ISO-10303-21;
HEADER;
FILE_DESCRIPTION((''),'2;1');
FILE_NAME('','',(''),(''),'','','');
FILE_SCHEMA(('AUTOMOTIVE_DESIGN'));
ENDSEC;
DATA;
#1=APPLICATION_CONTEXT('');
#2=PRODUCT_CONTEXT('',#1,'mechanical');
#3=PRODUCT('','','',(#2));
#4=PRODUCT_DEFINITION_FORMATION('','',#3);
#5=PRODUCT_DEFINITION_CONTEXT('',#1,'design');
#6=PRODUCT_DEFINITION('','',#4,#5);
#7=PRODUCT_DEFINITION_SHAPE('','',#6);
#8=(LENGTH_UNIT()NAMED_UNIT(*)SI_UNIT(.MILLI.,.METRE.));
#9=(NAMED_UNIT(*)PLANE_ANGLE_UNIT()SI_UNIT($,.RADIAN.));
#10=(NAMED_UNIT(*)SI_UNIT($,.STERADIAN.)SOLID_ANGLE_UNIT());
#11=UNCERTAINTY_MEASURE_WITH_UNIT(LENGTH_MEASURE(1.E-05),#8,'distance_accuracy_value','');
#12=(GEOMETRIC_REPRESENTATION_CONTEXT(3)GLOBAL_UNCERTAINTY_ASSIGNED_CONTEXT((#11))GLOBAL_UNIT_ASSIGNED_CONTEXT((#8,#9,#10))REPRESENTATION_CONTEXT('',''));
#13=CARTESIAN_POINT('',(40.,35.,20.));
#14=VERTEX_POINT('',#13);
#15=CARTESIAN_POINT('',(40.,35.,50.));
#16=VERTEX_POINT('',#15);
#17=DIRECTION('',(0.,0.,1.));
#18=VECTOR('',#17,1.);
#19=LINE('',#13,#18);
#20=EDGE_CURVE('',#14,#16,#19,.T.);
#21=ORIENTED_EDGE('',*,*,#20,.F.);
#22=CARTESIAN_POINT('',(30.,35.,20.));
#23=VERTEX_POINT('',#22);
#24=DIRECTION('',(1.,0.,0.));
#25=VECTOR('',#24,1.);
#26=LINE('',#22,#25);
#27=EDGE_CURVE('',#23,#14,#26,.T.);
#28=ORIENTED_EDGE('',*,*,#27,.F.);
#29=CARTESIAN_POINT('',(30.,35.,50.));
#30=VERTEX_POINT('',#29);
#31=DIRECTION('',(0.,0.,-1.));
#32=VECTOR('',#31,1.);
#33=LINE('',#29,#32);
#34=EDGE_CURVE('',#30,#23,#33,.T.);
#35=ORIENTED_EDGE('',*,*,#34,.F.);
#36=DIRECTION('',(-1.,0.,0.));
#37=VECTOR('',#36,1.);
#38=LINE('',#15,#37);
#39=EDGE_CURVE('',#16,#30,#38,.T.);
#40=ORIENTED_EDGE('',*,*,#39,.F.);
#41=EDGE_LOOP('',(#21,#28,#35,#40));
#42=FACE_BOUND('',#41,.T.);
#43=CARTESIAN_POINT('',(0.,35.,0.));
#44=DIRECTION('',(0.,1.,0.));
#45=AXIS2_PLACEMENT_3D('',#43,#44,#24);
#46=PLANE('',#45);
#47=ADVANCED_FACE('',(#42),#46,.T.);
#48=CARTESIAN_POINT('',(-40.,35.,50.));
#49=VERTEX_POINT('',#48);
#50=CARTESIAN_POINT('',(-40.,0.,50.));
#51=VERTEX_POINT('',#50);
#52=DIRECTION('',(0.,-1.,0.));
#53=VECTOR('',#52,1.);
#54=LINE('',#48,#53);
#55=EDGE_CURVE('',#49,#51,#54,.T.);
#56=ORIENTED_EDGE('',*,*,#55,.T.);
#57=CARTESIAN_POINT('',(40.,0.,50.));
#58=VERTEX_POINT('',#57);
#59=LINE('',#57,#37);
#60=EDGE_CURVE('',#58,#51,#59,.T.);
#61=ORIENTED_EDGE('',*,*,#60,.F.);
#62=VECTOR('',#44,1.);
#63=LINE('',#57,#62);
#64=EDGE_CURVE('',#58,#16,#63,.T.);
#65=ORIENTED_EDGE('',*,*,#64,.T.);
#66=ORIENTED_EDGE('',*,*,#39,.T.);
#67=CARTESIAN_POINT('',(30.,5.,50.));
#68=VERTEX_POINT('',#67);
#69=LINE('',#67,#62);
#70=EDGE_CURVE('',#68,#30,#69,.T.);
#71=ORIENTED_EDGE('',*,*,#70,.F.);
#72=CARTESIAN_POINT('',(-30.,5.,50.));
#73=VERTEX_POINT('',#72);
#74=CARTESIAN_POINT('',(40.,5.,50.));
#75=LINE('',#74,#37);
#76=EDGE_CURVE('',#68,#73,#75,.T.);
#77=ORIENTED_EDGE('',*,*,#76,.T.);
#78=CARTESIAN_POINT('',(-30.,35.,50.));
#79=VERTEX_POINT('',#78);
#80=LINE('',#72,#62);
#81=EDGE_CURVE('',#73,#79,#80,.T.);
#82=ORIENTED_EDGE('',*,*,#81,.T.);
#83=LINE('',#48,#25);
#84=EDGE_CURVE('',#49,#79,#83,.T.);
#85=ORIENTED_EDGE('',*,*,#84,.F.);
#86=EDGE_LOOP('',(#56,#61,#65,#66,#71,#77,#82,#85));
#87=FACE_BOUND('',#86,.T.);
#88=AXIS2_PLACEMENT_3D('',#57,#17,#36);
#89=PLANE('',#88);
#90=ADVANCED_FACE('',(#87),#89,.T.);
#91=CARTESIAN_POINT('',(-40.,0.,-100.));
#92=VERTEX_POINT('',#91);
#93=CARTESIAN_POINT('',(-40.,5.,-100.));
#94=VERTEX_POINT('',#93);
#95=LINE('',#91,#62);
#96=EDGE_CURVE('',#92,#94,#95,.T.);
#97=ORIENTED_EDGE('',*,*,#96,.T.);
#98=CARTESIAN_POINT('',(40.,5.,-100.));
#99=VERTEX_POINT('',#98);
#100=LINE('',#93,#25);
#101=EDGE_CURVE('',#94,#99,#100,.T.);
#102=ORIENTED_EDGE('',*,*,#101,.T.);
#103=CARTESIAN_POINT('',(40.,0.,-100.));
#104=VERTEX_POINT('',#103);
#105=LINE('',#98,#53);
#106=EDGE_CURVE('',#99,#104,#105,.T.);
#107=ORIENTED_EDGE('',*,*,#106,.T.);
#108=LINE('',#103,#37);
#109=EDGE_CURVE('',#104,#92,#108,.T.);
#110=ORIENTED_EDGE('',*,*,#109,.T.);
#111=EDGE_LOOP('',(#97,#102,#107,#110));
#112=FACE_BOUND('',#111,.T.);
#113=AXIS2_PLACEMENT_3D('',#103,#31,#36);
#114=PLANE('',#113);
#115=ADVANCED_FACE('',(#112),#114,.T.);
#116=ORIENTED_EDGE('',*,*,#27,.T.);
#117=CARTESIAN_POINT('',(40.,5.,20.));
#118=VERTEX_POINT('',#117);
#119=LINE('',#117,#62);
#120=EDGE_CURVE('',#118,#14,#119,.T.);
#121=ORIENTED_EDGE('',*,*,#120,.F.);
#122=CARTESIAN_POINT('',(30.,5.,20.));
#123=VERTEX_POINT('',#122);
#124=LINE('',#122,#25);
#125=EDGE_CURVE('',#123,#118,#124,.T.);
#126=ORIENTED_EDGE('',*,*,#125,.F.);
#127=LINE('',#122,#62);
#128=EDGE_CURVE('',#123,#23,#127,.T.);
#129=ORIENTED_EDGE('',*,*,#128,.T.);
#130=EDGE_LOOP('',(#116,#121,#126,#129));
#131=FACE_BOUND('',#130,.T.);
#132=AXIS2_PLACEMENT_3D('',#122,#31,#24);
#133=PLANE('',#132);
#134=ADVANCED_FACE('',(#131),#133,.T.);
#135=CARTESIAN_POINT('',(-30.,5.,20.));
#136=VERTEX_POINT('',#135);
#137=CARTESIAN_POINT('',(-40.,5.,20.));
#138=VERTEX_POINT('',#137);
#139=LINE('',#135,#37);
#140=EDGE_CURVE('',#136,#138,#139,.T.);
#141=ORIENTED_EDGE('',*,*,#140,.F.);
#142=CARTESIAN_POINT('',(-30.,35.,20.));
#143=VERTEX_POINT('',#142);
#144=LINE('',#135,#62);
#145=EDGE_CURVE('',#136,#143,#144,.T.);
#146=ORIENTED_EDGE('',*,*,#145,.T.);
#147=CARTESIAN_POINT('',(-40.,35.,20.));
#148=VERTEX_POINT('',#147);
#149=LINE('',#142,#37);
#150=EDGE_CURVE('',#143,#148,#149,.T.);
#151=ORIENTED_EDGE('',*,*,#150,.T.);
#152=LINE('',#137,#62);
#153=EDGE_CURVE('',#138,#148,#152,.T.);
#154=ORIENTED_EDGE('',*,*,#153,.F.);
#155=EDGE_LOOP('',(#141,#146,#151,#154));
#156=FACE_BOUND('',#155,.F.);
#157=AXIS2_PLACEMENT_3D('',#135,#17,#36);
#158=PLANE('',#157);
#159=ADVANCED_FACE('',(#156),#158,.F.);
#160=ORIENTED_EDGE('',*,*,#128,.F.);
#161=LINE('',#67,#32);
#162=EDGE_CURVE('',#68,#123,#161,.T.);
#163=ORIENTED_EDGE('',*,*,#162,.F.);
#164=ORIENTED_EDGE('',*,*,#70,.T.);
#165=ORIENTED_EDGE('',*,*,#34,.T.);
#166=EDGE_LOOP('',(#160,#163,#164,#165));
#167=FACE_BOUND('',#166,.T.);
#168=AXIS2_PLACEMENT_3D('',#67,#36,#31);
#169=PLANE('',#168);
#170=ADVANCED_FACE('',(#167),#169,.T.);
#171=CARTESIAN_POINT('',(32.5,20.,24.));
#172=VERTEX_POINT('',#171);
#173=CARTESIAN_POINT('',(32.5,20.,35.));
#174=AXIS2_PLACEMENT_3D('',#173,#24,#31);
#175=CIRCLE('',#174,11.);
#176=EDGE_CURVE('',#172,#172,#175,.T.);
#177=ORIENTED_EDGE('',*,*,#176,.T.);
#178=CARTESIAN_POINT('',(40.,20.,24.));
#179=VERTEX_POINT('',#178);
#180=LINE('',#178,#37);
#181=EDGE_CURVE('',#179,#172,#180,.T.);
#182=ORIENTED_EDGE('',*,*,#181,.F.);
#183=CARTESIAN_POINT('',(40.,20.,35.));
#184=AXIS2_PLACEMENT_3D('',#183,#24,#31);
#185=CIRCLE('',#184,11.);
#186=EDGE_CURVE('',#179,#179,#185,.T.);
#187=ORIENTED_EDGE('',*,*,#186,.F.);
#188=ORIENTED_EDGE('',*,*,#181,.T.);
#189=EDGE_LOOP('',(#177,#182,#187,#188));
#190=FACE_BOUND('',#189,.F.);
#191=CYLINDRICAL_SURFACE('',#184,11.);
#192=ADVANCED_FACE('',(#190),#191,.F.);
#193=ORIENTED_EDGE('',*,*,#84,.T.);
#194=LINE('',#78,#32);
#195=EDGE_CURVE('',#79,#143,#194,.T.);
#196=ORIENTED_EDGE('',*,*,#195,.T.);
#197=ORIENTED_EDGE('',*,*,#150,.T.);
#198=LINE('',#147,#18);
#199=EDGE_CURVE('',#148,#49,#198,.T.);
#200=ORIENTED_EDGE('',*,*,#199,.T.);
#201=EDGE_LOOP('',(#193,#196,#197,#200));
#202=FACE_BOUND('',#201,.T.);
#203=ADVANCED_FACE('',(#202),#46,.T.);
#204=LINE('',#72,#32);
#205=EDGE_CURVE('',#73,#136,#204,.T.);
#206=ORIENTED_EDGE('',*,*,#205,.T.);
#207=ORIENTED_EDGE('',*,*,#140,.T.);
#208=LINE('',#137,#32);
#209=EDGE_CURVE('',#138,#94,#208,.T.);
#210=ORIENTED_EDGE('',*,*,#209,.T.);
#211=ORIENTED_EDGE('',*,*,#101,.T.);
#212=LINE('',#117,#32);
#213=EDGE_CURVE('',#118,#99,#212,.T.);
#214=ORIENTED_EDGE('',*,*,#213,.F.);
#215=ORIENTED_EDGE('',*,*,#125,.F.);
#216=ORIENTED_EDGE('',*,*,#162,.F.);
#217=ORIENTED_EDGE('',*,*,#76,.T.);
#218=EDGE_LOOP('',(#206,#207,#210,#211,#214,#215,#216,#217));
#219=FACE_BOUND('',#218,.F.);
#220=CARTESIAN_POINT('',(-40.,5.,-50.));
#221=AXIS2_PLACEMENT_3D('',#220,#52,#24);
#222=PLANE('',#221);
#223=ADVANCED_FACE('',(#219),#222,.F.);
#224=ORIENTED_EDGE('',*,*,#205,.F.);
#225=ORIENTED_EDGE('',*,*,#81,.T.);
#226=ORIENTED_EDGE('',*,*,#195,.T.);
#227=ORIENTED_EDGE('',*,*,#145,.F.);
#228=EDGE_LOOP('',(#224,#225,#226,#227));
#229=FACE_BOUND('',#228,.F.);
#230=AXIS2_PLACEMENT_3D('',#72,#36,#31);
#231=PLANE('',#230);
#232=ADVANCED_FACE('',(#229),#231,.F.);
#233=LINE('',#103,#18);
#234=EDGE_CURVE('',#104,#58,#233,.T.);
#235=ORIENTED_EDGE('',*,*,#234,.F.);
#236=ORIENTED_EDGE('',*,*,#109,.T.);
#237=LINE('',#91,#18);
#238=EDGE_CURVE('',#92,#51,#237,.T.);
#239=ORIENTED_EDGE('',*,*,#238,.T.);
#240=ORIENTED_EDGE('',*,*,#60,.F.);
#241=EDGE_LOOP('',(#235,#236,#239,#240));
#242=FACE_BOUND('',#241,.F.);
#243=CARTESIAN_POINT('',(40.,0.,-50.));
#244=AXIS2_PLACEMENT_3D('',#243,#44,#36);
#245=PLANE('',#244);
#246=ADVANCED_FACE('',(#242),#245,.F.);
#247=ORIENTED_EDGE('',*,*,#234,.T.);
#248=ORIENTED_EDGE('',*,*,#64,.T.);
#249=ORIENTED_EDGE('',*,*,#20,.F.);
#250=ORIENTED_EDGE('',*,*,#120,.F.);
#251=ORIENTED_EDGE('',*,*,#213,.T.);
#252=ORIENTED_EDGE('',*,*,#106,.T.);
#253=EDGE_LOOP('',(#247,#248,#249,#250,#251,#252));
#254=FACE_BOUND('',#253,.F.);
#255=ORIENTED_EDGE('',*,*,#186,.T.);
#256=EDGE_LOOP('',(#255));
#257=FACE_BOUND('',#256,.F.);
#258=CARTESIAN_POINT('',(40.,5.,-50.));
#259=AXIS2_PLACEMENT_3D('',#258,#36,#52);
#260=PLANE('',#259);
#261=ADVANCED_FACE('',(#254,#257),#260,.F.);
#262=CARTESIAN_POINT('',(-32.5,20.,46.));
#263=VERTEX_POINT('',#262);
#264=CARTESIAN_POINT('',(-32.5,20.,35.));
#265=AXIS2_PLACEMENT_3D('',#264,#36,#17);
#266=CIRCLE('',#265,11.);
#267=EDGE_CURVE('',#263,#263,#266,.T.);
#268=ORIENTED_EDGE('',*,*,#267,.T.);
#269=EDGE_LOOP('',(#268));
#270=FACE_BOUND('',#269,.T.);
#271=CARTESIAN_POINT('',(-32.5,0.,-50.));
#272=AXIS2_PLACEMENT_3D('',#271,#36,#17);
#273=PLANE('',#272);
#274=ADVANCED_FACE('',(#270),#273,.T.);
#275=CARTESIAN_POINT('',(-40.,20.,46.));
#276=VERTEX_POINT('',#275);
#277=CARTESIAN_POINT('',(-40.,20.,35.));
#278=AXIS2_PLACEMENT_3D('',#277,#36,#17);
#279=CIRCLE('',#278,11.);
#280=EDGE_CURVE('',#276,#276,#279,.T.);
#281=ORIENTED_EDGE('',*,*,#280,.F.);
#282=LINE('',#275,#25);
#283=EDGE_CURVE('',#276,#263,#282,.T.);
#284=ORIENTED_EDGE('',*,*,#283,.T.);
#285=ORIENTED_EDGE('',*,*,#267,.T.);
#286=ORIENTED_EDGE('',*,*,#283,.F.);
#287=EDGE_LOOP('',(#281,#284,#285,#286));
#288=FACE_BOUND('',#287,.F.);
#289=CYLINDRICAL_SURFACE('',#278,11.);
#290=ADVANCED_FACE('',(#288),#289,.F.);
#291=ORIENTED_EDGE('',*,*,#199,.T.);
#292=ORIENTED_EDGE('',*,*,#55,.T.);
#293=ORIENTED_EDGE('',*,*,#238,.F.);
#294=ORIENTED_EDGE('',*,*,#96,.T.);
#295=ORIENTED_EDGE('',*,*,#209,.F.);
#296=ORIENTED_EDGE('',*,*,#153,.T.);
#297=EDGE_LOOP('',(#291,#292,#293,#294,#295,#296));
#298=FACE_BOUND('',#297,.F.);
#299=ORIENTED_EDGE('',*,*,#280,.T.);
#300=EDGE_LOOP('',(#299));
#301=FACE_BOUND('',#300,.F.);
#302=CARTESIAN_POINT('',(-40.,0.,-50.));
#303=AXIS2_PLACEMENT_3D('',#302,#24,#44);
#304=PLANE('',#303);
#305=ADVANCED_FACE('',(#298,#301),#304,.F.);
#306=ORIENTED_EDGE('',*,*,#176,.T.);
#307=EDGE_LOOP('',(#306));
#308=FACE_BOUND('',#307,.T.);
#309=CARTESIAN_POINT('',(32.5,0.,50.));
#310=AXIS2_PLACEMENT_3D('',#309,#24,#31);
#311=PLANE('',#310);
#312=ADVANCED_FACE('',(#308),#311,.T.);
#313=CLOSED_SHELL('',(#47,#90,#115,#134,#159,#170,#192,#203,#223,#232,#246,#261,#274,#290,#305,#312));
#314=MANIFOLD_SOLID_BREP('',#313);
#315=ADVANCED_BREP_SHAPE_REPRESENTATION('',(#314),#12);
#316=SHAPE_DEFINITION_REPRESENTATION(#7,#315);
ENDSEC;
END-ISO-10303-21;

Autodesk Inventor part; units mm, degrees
ref_plane "YZ Plane" through (0, 0, 0) normal (1, 0, 0) x (0, 1, 0)
ref_plane "XZ Plane" through (0, 0, 0) normal (0, 1, 0) x (-1, 0, 0)
ref_plane "XY Plane" through (0, 0, 0) normal (0, 0, 1) x (1, 0, 0)
sketch "Sketch1" plane through (0, 0, 0) normal (0, 1, 0) x (-1, 0, 0)
  line L0 (-40, 50) -> (40, 50)
  line L1 (40, 50) -> (40, -50)
  line L2 (40, -50) -> (-40, -50)
  line L3 (-40, -50) -> (-40, 50)
  line L4 (-40, 50) -> (40, -50) construction
  line L5 (40, 50) -> (-40, -50) construction
  point P0 (0, 0)
  dimension "d0" = 80
  dimension "d1" = 100
extrude "Extrusion1" add sketch "Sketch1" along normal blind 5
sketch "Sketch2" plane through (0, 5, 0) normal (0, 1, 0) x (1, 0, 0)
  line L0 (-40, -50) -> (-30, -50)
  line L1 (-30, -50) -> (-30, -20)
  line L2 (-30, -20) -> (-40, -20)
  line L3 (-40, -20) -> (-40, -50)
  line L4 (40, -50) -> (30, -50)
  line L5 (30, -50) -> (30, -20)
  line L6 (30, -20) -> (40, -20)
  line L7 (40, -20) -> (40, -50)
  point P0 (0, 0)
  dimension "d4" = 10
  dimension "d5" = 30
  dimension "d6" = 10
  dimension "d7" = 30
extrude "Extrusion2" add sketch "Sketch2" along normal blind 30
sketch "Sketch3" plane through (-40, 0, -50) normal (-1, 0, 0) x (0, 0, 1)
  circle A0 centre (85, 20) radius 11
  point P0 (50, 0)
  dimension "d10" = 22
extrude "Extrusion3" cut sketch "Sketch3" against normal blind 7.5
sketch "Sketch4" plane through (40, 0, 50) normal (1, 0, 0) x (0, 0, -1)
  circle A0 centre (15, 20) radius 11 projected
  circle A1 centre (15, 20) radius 11
  point P0 (50, 0)
extrude "Extrusion4" cut sketch "Sketch4" against normal blind 7.5
sketch "Sketch6" plane through (40, 0, -50) normal (0, 0, -1) x (-1, 0, 0)
  line L0 (80, 5) -> (0, 5)
  line L1 (0, 5) -> (0, 0)
  line L2 (0, 0) -> (80, 0)
  line L3 (80, 0) -> (80, 5)
  point P0 (40, 0)
extrude "Extrusion5" add sketch "Sketch6" along normal blind 50
properties part number "BassGtrBotBase"
